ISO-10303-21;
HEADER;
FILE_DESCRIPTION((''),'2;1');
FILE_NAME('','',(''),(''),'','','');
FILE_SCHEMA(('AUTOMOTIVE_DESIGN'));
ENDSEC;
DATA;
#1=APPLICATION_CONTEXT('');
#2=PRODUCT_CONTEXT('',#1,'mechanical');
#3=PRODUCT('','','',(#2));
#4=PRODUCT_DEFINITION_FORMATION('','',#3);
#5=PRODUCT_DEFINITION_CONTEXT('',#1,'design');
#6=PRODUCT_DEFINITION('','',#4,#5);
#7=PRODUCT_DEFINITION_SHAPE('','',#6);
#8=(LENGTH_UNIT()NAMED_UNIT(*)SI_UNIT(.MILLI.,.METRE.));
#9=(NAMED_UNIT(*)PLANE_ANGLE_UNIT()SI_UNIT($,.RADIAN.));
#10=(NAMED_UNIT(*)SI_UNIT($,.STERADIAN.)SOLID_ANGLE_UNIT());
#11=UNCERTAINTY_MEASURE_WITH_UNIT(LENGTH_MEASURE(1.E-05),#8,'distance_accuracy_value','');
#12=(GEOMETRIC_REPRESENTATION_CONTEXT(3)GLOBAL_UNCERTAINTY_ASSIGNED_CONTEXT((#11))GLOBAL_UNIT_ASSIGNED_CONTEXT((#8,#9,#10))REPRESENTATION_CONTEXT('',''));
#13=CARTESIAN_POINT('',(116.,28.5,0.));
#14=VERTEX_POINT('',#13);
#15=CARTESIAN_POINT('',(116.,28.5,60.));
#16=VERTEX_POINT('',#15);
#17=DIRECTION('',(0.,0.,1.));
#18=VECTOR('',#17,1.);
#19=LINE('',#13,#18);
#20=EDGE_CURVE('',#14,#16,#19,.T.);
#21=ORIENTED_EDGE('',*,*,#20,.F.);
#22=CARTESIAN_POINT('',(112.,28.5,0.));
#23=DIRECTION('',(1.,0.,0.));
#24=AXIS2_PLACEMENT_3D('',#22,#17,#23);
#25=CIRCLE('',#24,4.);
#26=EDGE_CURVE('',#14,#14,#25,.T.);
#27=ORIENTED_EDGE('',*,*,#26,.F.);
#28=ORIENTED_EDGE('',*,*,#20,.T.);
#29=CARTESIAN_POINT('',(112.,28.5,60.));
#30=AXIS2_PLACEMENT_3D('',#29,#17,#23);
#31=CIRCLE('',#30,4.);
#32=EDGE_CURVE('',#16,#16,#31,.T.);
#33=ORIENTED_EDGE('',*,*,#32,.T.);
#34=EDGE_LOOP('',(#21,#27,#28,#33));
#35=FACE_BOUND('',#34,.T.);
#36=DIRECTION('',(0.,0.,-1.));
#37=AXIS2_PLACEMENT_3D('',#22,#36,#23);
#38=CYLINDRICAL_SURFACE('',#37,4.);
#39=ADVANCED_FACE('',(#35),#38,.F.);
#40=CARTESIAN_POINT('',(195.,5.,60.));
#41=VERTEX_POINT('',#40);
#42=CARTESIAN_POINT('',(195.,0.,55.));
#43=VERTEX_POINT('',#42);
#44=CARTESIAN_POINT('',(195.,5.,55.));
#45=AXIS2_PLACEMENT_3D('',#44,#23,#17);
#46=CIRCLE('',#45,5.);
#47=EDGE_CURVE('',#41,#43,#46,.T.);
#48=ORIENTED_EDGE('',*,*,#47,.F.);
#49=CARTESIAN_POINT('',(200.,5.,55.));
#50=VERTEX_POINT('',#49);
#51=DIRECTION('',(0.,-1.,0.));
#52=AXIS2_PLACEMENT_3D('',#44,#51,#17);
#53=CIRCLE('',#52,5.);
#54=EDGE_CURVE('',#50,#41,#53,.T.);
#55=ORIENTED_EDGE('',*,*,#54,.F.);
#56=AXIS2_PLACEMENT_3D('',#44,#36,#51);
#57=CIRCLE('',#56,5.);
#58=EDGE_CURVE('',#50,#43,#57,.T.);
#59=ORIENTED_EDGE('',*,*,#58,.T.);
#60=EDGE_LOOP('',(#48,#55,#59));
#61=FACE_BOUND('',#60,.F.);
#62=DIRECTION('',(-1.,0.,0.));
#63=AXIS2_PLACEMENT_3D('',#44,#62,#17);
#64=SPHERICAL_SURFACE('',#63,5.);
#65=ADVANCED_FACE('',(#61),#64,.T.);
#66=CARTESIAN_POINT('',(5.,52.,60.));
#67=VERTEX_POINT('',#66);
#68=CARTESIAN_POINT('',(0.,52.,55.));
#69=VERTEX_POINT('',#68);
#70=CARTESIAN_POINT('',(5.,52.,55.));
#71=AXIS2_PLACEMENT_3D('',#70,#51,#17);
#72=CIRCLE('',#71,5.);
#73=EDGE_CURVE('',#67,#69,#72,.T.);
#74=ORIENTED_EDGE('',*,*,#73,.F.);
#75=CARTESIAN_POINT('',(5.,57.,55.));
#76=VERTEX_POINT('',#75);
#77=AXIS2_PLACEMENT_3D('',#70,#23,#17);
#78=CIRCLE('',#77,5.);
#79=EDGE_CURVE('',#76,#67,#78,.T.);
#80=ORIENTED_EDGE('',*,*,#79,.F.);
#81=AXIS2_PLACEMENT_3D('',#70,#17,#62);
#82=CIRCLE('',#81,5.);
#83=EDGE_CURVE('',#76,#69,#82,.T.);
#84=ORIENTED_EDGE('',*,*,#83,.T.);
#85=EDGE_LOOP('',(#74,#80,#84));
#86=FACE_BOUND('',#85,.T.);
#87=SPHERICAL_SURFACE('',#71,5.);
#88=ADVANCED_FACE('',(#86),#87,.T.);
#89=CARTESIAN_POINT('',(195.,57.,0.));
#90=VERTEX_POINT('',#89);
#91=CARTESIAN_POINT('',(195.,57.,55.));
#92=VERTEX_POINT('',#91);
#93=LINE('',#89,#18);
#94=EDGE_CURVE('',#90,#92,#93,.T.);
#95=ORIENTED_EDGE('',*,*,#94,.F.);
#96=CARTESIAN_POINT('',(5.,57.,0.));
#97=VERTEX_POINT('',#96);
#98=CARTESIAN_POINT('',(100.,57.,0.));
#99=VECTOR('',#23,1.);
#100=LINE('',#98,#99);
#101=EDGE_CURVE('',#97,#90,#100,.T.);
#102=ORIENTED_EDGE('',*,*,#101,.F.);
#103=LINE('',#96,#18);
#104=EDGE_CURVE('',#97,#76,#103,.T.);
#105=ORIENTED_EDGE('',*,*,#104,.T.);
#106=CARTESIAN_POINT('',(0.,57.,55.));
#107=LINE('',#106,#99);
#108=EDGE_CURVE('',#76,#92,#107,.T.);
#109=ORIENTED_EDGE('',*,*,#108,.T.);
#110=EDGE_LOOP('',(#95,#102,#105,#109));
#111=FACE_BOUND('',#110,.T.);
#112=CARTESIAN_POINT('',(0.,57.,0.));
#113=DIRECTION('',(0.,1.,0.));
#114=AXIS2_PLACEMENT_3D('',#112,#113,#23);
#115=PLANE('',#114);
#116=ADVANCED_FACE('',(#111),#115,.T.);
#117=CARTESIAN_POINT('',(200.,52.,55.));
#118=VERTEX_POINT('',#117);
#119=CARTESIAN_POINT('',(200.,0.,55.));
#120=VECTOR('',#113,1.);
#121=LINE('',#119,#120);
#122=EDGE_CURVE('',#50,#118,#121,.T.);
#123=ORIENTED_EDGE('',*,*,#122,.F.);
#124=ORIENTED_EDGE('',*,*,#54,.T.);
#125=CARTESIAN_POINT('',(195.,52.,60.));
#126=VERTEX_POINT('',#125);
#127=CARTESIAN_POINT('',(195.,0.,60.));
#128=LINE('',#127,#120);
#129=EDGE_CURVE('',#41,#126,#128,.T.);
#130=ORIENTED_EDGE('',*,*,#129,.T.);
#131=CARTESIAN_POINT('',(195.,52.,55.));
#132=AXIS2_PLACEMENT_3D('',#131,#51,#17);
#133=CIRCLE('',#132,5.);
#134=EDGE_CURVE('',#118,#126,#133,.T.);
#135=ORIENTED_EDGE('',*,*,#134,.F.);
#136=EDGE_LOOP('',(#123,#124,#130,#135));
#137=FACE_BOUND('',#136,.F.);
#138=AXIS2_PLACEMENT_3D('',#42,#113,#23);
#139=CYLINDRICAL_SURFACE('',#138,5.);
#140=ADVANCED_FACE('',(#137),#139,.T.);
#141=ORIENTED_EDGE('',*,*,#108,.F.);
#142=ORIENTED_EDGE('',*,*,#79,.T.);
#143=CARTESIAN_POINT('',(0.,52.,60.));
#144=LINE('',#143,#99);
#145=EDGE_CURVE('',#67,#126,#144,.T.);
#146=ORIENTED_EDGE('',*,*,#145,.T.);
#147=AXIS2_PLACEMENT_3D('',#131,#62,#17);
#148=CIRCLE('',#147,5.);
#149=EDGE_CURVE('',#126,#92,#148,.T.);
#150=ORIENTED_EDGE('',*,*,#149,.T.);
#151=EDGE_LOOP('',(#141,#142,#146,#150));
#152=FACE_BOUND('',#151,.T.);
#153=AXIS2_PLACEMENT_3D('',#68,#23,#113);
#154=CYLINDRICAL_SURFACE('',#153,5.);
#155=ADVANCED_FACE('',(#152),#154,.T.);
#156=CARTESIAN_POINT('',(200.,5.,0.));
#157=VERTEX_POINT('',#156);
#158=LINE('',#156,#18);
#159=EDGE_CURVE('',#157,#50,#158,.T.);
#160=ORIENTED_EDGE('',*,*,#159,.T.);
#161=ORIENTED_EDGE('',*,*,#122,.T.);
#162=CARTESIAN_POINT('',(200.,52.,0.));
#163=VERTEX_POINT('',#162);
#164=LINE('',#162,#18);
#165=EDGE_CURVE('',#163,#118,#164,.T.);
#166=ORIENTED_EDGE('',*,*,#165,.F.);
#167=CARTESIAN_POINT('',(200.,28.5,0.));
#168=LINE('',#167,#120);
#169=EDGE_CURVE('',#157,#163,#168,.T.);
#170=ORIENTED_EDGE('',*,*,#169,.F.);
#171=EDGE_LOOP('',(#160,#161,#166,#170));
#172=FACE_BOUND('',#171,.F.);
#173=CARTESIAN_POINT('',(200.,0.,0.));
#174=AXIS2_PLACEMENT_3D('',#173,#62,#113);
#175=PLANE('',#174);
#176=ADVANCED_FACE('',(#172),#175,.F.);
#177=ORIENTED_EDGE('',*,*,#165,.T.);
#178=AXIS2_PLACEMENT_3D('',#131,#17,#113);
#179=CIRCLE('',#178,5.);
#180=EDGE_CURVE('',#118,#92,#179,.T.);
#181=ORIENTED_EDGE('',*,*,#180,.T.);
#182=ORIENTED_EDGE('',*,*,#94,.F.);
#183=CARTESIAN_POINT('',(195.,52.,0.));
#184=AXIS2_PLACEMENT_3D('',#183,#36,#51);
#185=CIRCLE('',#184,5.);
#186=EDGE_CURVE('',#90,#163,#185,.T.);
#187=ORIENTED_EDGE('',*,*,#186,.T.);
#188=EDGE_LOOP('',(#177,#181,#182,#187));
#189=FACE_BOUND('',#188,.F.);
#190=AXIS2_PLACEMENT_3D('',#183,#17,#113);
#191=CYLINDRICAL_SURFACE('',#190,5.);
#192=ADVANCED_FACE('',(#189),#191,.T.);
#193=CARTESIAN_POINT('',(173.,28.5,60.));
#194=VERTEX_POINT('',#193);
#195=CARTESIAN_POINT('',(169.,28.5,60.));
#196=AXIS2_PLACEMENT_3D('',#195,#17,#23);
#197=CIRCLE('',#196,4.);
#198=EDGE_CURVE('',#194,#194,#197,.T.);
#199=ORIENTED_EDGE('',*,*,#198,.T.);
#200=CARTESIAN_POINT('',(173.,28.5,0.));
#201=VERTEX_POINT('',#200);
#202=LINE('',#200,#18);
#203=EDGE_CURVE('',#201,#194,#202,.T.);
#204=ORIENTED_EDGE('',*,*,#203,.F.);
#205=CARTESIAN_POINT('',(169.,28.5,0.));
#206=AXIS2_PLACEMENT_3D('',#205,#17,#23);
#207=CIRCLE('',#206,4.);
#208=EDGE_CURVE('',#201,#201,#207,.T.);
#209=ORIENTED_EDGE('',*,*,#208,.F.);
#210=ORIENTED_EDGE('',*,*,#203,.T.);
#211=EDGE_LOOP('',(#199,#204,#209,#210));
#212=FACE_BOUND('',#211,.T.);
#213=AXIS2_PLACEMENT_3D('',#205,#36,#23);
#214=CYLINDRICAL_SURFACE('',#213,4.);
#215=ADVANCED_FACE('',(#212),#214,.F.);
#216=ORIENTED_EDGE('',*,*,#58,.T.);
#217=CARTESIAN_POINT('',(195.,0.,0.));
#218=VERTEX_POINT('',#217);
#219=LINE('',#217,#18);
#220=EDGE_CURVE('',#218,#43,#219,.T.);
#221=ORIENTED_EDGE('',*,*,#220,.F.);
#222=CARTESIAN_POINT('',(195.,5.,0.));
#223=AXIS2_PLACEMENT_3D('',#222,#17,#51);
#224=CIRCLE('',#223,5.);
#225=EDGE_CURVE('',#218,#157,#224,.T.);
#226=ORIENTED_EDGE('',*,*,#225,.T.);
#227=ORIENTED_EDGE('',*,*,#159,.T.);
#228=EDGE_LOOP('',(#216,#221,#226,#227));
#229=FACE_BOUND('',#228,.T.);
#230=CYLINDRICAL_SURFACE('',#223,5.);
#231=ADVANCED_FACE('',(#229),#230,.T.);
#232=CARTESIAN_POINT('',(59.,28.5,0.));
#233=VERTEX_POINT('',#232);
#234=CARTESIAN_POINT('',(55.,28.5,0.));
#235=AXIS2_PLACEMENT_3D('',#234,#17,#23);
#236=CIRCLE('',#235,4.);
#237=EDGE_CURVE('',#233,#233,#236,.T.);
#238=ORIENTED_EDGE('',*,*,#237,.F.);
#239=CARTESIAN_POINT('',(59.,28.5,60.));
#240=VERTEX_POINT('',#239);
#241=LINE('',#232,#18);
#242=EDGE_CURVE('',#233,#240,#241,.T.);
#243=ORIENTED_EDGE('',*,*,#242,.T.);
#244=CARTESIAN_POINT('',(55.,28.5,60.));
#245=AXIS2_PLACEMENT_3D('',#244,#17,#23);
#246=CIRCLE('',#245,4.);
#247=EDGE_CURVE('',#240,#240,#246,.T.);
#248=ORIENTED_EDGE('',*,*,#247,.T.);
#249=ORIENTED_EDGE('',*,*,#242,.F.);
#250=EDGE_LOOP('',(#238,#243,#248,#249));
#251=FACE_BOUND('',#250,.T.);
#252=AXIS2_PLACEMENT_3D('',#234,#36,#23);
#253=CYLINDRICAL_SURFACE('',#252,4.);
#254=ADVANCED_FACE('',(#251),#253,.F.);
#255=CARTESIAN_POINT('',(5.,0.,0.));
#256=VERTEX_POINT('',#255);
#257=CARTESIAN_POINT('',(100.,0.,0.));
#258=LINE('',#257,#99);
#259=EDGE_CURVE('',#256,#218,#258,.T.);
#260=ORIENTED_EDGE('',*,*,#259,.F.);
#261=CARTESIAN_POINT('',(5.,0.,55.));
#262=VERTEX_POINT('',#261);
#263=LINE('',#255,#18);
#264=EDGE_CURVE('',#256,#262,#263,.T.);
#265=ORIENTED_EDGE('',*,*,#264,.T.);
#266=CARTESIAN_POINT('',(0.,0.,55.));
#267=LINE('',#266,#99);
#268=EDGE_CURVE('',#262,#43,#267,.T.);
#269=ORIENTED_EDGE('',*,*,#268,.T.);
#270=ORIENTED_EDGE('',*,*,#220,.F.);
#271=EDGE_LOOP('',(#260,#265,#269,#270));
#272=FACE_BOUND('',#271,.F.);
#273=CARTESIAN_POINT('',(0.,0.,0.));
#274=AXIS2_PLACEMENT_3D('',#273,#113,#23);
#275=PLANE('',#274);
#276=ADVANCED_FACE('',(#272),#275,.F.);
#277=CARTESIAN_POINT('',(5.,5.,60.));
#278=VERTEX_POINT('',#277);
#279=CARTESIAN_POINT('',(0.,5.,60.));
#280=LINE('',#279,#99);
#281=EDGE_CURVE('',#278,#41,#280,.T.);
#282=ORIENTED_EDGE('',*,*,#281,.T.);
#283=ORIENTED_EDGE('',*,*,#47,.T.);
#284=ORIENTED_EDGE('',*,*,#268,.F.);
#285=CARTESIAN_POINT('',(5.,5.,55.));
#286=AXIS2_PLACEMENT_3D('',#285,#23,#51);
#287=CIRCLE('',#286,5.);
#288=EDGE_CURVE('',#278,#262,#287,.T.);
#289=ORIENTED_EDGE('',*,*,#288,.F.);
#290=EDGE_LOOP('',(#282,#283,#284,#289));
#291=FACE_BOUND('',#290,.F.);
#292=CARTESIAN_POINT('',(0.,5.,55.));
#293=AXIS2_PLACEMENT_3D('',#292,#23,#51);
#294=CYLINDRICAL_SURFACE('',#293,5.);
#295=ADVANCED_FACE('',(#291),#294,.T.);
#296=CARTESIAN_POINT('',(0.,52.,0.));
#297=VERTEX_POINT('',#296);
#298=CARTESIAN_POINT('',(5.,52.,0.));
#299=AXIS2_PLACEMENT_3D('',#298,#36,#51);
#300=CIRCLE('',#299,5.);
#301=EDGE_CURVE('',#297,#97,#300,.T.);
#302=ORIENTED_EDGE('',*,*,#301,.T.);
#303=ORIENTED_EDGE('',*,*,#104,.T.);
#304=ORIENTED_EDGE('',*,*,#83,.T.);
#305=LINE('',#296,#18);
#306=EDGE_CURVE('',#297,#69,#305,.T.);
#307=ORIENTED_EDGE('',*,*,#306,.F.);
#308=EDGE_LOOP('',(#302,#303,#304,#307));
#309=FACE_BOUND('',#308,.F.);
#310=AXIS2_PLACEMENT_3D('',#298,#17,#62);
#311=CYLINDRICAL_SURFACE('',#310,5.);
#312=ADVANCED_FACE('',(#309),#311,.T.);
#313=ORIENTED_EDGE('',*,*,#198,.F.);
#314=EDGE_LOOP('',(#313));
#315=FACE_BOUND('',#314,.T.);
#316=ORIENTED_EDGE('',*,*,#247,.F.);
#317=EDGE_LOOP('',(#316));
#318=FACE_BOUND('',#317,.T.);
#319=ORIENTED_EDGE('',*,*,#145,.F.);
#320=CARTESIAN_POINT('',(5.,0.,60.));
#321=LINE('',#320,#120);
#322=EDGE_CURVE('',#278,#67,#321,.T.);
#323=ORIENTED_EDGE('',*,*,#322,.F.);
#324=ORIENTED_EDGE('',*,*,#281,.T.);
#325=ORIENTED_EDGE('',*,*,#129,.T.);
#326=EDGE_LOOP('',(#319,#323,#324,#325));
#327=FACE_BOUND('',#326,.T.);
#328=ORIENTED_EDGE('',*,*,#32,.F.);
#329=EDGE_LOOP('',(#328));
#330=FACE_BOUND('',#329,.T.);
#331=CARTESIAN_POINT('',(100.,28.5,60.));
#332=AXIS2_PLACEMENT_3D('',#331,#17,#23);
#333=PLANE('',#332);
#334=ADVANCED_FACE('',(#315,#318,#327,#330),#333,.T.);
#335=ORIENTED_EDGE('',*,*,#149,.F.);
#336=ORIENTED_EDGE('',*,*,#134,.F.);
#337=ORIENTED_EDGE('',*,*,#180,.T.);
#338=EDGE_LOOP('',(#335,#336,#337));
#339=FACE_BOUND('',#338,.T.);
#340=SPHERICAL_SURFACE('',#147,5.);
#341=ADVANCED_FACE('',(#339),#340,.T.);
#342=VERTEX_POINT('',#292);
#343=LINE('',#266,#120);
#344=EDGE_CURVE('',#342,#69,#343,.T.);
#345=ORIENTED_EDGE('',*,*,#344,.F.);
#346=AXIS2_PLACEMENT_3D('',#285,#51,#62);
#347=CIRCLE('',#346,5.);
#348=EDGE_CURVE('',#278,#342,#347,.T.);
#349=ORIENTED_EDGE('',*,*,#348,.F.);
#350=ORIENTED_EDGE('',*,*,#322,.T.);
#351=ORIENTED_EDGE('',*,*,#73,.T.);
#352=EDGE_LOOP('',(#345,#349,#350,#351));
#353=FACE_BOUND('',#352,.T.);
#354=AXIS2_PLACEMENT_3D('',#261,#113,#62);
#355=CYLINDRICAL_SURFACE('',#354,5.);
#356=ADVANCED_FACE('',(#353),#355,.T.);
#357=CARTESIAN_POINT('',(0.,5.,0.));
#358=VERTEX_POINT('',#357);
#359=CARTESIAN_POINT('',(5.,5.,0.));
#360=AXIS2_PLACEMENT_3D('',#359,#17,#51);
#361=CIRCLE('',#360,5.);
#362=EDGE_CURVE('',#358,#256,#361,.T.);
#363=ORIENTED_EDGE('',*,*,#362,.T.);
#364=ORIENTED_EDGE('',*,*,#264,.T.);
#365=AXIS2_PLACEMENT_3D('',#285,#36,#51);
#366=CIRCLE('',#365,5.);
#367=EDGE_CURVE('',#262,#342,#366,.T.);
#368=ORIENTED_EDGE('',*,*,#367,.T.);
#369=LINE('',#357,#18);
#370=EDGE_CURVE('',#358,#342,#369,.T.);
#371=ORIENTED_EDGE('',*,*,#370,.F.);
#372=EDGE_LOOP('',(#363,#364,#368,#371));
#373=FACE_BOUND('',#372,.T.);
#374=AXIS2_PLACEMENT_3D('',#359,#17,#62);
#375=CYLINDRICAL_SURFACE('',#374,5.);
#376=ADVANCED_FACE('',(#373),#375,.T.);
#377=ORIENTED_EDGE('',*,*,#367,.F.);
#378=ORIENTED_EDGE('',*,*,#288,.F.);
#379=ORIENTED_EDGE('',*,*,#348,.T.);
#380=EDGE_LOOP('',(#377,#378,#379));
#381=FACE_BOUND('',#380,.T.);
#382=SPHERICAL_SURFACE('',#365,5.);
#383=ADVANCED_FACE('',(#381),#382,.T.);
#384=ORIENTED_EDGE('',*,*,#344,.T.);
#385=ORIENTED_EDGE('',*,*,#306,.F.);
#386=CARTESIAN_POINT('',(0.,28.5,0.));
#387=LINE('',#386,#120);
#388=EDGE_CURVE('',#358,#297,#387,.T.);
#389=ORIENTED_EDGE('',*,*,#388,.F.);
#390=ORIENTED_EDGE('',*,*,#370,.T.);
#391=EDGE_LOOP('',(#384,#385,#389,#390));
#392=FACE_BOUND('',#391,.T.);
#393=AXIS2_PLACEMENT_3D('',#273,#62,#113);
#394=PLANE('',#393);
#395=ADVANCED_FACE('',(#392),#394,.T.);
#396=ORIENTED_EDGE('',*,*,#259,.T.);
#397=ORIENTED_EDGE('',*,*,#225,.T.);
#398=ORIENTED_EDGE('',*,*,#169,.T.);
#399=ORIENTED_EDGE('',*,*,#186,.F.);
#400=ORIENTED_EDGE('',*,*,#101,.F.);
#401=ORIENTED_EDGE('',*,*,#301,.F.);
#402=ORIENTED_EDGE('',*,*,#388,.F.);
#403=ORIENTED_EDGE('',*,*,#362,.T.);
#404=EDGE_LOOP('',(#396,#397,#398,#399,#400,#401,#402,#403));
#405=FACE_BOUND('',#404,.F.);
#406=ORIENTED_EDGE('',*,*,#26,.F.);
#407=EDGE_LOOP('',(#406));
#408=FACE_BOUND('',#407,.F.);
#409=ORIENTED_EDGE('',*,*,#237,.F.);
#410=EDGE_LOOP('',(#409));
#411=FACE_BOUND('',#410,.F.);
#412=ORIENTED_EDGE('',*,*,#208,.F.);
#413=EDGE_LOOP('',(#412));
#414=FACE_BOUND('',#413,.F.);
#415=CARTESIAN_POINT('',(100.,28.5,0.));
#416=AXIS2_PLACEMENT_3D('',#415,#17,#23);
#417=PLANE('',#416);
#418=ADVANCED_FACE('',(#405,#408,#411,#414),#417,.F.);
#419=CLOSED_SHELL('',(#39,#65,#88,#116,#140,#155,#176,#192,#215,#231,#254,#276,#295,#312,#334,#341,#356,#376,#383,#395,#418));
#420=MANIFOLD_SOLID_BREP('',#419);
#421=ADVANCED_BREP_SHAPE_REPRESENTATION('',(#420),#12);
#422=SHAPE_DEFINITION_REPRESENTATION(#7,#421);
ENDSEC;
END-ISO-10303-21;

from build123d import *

# Parameters (mm, degrees)
F0_W     = 200
F0_H     = 57
F0_R     = 4
F1_DEPTH = 60
F2_R     = 5


with BuildPart() as f1:
    # F0 (on Top) → F1 (new body)
    with BuildSketch(Plane.XY):
        with Locations((100, 28.5)):
            Rectangle(F0_W, F0_H)
        with Locations((55, 28.5)):
            Circle(F0_R, mode=Mode.SUBTRACT)
        with Locations((112, 28.5)):
            Circle(F0_R, mode=Mode.SUBTRACT)
        with Locations((169, 28.5)):
            Circle(F0_R, mode=Mode.SUBTRACT)
    extrude(amount=F1_DEPTH)

    # F2
    f2_edges = [f1.edges().sort_by_distance(p)[0] for p in [
        (0, 0, 30),
        (100, 0, 60),
        (0, 28.5, 60),
        (100, 57, 60),
        (200, 28.5, 60),
        (200, 0, 30),
        (200, 57, 30),
        (0, 57, 30),
    ]]
    fillet(f2_edges, radius=F2_R)


solid = f1.part
